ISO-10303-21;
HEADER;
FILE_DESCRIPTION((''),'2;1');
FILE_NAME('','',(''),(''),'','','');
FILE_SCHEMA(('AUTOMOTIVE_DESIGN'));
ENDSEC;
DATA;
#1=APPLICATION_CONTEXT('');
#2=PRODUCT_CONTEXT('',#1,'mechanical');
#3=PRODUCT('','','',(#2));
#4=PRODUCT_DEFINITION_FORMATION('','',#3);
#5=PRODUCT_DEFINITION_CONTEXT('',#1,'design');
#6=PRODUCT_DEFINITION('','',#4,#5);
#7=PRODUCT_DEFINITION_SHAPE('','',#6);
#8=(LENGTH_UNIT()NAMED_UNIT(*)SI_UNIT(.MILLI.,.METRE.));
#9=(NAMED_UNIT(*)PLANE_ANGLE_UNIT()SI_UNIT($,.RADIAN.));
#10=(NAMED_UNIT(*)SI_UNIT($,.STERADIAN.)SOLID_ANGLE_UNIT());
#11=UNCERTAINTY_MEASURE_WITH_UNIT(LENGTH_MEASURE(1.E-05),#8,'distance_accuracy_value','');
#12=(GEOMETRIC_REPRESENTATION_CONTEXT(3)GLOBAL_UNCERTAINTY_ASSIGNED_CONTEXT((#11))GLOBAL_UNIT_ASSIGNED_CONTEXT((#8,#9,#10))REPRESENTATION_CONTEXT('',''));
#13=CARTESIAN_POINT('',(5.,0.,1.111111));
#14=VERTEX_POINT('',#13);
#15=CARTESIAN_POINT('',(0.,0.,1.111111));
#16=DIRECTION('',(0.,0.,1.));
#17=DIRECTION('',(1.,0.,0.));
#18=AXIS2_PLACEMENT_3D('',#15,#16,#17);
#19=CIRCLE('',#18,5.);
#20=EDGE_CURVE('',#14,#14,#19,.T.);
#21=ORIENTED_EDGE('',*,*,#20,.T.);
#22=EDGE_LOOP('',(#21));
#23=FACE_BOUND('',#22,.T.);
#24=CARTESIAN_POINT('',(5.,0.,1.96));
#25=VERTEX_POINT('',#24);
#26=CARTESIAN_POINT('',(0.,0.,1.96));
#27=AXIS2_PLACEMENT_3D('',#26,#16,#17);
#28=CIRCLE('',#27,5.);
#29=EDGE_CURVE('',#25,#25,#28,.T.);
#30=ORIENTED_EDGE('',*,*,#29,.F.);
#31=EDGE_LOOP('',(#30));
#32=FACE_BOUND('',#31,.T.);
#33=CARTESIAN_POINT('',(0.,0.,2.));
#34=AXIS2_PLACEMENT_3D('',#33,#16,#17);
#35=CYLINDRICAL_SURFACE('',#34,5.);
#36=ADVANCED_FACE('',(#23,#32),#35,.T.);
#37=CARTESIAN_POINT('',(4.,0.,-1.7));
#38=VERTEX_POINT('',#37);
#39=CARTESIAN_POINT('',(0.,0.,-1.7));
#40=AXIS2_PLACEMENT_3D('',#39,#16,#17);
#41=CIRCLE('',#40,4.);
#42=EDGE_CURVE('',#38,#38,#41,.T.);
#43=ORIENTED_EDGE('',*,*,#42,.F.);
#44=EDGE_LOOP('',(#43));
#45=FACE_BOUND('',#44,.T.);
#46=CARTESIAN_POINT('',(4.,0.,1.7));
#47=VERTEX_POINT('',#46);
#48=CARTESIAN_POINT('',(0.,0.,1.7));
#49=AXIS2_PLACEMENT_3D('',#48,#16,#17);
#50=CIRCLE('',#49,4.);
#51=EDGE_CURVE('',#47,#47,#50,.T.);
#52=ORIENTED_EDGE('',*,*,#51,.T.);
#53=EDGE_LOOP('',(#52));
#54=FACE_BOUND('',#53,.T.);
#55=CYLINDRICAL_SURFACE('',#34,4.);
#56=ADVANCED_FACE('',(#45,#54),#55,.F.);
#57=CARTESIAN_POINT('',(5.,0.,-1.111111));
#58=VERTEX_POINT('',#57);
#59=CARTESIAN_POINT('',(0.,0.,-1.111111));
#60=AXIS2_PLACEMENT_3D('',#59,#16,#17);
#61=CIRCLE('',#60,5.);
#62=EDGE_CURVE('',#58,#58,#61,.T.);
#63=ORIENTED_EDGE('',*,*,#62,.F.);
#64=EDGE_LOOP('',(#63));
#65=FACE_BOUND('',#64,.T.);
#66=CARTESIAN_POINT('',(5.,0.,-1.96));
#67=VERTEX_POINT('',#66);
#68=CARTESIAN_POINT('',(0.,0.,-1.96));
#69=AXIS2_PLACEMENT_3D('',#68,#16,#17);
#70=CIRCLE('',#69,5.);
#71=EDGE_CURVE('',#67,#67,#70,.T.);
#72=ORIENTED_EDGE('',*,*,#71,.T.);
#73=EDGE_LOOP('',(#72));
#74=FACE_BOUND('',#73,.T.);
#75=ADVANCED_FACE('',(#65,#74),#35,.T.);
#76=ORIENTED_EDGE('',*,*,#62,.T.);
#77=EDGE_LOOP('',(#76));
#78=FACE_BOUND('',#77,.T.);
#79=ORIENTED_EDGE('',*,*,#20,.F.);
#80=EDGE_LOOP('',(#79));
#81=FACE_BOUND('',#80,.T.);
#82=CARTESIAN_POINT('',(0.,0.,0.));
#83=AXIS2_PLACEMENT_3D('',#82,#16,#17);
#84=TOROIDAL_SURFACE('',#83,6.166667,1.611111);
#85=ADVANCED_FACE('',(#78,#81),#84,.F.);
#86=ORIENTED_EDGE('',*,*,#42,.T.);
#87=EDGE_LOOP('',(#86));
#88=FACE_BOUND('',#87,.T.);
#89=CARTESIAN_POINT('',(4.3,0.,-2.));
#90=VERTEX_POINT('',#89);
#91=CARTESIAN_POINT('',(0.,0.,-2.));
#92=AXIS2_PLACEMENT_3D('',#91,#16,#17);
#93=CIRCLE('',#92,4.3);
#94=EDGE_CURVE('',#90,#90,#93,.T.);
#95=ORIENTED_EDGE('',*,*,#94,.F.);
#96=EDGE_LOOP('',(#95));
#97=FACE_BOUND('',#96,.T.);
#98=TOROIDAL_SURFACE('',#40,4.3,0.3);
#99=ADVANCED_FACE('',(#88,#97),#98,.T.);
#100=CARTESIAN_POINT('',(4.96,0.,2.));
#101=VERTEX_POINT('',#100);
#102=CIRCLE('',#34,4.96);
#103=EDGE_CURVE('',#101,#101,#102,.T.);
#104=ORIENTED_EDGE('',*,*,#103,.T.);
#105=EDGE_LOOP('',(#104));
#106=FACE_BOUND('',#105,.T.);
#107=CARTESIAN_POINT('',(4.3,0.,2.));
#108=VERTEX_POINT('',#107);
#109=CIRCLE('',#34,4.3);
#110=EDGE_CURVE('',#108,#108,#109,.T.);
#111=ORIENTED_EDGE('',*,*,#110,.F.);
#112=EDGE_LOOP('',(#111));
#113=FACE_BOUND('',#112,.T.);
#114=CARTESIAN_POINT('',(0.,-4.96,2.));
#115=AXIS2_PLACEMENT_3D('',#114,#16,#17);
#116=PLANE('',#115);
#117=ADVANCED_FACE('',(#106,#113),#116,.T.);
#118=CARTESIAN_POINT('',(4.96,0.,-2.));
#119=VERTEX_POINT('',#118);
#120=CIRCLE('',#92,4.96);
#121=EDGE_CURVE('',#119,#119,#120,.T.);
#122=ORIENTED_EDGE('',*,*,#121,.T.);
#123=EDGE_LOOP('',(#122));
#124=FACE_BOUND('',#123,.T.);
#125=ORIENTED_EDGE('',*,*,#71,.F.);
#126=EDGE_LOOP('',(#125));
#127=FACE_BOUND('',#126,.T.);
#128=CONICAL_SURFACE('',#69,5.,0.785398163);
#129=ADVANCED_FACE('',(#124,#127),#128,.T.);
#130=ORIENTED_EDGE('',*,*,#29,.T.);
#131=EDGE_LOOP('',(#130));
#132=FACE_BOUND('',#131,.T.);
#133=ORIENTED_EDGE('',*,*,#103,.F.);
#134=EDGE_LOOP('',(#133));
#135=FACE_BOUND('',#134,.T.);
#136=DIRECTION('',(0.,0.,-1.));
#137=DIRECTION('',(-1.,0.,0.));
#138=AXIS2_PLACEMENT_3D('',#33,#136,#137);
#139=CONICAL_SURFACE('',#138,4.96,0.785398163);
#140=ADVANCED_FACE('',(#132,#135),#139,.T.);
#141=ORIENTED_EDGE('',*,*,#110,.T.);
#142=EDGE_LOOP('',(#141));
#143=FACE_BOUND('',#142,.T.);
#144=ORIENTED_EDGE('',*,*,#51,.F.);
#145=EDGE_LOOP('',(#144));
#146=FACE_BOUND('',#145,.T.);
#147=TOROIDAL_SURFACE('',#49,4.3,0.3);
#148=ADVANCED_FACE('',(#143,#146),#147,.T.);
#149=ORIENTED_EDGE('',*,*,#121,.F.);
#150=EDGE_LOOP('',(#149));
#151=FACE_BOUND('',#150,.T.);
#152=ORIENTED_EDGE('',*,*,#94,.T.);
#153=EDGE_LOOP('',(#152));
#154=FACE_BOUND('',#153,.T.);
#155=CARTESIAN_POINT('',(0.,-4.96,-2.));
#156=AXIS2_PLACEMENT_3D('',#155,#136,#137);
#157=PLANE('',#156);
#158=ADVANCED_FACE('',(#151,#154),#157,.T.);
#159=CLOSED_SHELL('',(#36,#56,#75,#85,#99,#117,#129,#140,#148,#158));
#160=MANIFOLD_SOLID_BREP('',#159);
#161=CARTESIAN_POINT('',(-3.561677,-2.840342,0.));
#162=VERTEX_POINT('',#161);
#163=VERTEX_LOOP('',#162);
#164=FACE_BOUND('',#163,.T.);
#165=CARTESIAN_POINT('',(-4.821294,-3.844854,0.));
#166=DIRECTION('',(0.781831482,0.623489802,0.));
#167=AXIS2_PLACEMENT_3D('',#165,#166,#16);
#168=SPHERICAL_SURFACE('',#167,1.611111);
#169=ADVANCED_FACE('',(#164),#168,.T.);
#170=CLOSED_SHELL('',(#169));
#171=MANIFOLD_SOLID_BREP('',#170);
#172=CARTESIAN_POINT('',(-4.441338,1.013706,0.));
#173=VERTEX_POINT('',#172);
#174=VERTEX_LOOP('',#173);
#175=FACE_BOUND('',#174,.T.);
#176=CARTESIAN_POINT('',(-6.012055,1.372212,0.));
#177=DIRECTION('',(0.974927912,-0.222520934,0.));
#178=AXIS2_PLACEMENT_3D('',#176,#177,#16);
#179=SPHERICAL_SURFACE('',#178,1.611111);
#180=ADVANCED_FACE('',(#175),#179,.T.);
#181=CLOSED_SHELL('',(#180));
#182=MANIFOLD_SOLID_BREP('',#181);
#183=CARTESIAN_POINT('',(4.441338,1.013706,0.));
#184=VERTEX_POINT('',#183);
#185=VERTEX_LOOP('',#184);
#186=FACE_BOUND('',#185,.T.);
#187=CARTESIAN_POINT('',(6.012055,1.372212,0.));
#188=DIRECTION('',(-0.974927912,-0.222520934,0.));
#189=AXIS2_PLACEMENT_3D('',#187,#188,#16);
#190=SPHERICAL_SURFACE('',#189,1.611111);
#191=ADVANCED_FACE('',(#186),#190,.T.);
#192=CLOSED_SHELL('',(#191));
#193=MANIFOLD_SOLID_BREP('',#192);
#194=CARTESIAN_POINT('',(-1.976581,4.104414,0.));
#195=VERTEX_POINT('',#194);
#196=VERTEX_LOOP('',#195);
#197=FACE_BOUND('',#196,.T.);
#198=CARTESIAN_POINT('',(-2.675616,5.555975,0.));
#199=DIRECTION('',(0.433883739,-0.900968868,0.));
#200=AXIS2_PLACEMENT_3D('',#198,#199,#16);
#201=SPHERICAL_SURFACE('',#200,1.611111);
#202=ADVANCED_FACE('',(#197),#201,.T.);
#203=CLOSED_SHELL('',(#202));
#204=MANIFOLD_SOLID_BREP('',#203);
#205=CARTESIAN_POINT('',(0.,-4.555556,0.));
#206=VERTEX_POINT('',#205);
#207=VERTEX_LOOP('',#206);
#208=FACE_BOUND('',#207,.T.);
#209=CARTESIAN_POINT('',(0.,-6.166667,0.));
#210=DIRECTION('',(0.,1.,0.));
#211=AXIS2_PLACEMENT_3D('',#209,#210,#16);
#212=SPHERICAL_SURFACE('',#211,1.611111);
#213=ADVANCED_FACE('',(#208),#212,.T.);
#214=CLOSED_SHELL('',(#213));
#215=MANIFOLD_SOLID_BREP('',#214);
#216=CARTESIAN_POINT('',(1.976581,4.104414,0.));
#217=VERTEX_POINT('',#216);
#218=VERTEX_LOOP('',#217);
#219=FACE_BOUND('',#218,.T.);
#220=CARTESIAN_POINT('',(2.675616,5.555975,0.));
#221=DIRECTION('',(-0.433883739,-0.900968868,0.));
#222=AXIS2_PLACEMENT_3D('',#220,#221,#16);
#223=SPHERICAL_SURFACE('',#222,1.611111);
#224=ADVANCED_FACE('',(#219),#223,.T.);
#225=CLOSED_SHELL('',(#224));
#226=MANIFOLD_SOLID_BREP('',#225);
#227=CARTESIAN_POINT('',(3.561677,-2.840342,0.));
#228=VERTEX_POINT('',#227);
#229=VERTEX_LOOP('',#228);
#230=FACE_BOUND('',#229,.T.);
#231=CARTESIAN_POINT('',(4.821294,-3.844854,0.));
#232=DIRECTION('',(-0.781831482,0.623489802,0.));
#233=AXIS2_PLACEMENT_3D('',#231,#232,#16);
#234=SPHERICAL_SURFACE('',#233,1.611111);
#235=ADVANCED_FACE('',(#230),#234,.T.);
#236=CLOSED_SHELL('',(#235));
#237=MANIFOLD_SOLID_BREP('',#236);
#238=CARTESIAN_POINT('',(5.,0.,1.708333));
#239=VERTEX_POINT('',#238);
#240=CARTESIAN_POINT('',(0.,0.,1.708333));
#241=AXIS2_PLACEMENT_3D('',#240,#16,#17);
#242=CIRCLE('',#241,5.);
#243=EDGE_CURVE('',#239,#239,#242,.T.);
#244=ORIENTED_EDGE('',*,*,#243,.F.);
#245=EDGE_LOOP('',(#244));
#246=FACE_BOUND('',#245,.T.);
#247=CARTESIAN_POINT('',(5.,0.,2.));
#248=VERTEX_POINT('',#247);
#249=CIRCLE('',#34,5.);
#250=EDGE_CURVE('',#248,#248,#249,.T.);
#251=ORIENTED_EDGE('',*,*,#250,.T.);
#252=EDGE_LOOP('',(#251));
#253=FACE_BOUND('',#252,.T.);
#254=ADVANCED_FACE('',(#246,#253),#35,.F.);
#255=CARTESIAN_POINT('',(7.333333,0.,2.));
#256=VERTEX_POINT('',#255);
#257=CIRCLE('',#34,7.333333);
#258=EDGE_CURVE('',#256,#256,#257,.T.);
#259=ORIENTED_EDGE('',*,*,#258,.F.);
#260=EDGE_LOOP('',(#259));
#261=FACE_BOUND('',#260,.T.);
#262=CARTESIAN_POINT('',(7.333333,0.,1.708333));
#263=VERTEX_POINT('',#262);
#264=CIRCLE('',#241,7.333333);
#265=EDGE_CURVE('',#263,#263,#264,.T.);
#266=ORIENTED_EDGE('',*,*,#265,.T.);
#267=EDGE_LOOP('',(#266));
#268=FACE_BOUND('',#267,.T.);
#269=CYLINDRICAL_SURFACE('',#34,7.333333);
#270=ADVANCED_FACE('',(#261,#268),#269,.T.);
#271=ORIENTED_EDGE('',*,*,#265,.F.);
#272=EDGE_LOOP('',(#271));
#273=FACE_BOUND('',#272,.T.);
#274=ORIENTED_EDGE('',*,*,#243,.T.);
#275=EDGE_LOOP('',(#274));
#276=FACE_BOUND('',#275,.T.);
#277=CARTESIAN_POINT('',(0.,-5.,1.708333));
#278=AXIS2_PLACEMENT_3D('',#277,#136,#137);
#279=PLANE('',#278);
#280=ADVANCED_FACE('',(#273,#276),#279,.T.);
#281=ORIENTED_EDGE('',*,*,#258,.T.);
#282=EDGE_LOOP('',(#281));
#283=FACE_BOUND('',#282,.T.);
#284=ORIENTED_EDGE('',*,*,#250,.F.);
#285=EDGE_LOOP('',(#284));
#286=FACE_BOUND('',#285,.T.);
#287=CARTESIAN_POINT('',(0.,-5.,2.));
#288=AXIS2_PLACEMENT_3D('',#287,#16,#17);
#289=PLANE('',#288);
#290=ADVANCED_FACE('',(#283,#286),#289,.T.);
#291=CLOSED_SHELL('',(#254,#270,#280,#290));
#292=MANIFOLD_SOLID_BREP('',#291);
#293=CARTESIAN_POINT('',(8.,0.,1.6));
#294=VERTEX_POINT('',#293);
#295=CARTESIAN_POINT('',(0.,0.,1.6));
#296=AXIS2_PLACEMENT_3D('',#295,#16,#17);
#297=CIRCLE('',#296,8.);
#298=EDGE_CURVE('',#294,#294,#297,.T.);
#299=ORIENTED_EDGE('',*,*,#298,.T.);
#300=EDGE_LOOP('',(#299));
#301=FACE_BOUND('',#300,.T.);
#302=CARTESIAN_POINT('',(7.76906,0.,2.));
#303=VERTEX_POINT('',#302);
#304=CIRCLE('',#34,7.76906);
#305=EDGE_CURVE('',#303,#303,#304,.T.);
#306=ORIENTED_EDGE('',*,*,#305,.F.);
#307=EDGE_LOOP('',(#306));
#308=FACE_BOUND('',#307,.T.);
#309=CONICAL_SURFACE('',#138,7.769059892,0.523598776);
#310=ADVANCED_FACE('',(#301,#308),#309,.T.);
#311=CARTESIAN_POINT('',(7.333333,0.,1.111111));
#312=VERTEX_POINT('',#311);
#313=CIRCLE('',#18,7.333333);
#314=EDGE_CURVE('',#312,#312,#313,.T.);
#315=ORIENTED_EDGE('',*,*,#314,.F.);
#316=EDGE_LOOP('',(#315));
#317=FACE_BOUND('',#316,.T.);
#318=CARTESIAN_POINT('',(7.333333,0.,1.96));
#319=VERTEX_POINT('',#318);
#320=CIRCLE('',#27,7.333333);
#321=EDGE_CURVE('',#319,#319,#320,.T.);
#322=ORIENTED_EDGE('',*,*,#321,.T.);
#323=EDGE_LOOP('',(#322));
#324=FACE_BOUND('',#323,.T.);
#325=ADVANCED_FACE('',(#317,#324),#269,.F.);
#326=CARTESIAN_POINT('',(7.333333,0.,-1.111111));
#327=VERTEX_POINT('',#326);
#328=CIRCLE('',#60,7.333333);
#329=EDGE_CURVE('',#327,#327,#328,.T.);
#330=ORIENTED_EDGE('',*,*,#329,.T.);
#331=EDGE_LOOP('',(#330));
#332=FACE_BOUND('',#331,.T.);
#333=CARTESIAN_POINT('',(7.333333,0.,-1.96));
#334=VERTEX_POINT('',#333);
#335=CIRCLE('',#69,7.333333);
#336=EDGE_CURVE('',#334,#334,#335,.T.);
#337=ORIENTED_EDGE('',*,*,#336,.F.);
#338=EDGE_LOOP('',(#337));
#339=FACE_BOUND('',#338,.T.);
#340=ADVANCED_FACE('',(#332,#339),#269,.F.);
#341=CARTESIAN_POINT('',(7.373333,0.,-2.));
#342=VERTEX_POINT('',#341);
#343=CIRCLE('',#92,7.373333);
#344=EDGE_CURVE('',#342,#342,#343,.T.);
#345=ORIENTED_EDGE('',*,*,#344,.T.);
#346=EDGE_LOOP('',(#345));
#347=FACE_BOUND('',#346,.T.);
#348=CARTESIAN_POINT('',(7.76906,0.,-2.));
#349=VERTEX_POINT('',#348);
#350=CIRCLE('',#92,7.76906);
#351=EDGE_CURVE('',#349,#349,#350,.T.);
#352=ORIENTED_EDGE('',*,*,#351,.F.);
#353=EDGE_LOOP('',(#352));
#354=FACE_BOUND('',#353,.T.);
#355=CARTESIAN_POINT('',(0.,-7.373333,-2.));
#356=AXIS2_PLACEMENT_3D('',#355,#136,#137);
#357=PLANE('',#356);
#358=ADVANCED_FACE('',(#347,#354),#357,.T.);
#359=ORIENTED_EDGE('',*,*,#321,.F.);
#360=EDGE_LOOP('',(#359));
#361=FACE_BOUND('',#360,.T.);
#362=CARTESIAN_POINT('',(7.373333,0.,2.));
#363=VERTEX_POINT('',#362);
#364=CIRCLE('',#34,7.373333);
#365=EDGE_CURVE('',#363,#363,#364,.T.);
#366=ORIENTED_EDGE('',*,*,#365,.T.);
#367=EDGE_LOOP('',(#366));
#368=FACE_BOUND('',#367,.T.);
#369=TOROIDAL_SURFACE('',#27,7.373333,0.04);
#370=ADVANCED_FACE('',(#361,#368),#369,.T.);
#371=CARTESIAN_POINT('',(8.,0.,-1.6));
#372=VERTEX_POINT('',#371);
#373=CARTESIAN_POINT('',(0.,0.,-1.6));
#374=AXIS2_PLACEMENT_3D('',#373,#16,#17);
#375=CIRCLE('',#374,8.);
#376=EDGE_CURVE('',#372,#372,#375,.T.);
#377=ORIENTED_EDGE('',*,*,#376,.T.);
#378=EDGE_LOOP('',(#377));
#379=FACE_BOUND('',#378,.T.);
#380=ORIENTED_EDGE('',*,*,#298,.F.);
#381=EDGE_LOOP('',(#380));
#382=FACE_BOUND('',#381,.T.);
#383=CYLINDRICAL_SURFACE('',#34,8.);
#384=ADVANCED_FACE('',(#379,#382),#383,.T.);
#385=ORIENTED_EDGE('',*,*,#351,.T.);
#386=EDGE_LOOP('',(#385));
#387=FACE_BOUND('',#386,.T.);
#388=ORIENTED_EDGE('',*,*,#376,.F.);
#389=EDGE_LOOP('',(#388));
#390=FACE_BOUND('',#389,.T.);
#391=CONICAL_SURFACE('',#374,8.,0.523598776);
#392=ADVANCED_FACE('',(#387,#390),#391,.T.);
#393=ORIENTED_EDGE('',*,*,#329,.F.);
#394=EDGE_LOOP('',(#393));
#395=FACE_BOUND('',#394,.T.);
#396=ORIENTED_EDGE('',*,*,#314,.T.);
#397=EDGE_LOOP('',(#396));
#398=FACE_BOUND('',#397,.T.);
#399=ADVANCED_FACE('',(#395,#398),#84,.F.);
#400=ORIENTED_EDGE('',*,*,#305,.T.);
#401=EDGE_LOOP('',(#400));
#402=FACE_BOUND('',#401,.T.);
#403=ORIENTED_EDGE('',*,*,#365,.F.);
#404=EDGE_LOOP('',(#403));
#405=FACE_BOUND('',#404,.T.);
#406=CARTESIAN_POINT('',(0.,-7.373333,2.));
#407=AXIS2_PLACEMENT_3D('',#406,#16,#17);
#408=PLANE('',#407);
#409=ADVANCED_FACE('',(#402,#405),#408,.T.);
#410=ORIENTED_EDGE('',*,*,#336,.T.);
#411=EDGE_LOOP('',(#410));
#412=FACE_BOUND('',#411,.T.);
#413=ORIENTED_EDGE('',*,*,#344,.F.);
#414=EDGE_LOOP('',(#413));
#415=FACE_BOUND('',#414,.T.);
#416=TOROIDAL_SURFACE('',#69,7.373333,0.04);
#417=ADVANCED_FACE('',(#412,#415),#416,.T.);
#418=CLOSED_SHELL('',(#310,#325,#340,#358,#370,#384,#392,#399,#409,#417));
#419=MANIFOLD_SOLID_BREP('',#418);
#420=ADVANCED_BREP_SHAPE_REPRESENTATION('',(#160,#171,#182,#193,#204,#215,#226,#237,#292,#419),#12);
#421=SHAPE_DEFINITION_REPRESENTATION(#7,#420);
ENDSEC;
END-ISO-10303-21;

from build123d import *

# Parameters (mm, degrees)
SKETCH4_W         = 0.291666667
SKETCH4_H         = 2.333333333
CIRPATTERN1_COUNT = 7


with BuildPart() as part:
    # Sketch3 → Revolve1 (revolve)
    with BuildSketch(Plane(origin=(0, 0, 0), x_dir=(0, 0, -1), z_dir=(1, 0, 0)), mode=Mode.PRIVATE) as revolve1_sk:
        with BuildLine():
            Line((-1.6, -8), (1.6, -8))
            Line((1.6, -8), (2, -7.769059892))
            Line((2, -7.769059892), (2, -7.373333333))
            ThreePointArc((2, -7.373333333), (1.988284271, -7.345049062), (1.96, -7.333333333))
            Line((1.96, -7.333333333), (1.111111111, -7.333333333))
            ThreePointArc((1.111111111, -7.333333333), (0, -7.777777778), (-1.111111111, -7.333333333))
            Line((-1.111111111, -7.333333333), (-1.96, -7.333333333))
            ThreePointArc((-1.96, -7.333333333), (-1.988284271, -7.345049062), (-2, -7.373333333))
            Line((-2, -7.373333333), (-2, -7.769059892))
            Line((-2, -7.769059892), (-1.6, -8))
        make_face()
        with BuildLine():
            Line((-1.7, -4), (1.7, -4))
            ThreePointArc((1.7, -4), (1.912132034, -4.087867966), (2, -4.3))
            Line((2, -4.3), (2, -4.96))
            Line((2, -4.96), (1.96, -5))
            Line((1.96, -5), (1.111111111, -5))
            ThreePointArc((1.111111111, -5), (0, -4.555555556), (-1.111111111, -5))
            Line((-1.111111111, -5), (-1.96, -5))
            Line((-1.96, -5), (-2, -4.96))
            Line((-2, -4.96), (-2, -4.3))
            ThreePointArc((-2, -4.3), (-1.912132034, -4.087867966), (-1.7, -4))
        make_face()
    revolve(revolve1_sk.sketch.rotate(Axis((0, 0, 2), (0, 0, -1)), 270), axis=Axis((0, 0, 2), (0, 0, -1)))


with BuildPart() as body_2:
    # Sketch4 → Revolve2 (revolve)
    with BuildSketch(Plane(origin=(0, 0, 0), x_dir=(0, 0, -1), z_dir=(1, 0, 0)), mode=Mode.PRIVATE) as revolve2_sk:
        with Locations((-1.854166667, -6.166666667)):
            Rectangle(SKETCH4_W, SKETCH4_H)
    revolve(revolve2_sk.sketch.rotate(Axis((0, 0, 2), (0, 0, -1)), 270), axis=Axis((0, 0, 2), (0, 0, -1)))


with BuildPart() as body_3:
    # Sketch5 → Revolve3 (revolve)
    with BuildSketch(Plane(origin=(0, 0, 0), x_dir=(0, 0, -1), z_dir=(1, 0, 0))):
        with BuildLine():
            Line((0, -4.555555556), (0, -7.777777778))
            ThreePointArc((0, -7.777777778), (-1.611111111, -6.166666667), (0, -4.555555556))
        make_face()
    revolve(axis=Axis((0, 0, 0), (0, -1, 0)))


with BuildPart() as cirpattern1_1:
    # CirPattern1: pattern copy
    add(body_3.part.rotate(Axis((0, 0, 0), (0, 0, 1)), 1 * 360 / CIRPATTERN1_COUNT))


with BuildPart() as cirpattern1_2:
    # CirPattern1: pattern copy
    add(body_3.part.rotate(Axis((0, 0, 0), (0, 0, 1)), 2 * 360 / CIRPATTERN1_COUNT))


with BuildPart() as cirpattern1_3:
    # CirPattern1: pattern copy
    add(body_3.part.rotate(Axis((0, 0, 0), (0, 0, 1)), 3 * 360 / CIRPATTERN1_COUNT))


with BuildPart() as cirpattern1_4:
    # CirPattern1: pattern copy
    add(body_3.part.rotate(Axis((0, 0, 0), (0, 0, 1)), 4 * 360 / CIRPATTERN1_COUNT))


with BuildPart() as cirpattern1_5:
    # CirPattern1: pattern copy
    add(body_3.part.rotate(Axis((0, 0, 0), (0, 0, 1)), 5 * 360 / CIRPATTERN1_COUNT))


with BuildPart() as cirpattern1_6:
    # CirPattern1: pattern copy
    add(body_3.part.rotate(Axis((0, 0, 0), (0, 0, 1)), 6 * 360 / CIRPATTERN1_COUNT))


solid = Compound([part.part, body_2.part, body_3.part, cirpattern1_1.part, cirpattern1_2.part, cirpattern1_3.part, cirpattern1_4.part, cirpattern1_5.part, cirpattern1_6.part])
